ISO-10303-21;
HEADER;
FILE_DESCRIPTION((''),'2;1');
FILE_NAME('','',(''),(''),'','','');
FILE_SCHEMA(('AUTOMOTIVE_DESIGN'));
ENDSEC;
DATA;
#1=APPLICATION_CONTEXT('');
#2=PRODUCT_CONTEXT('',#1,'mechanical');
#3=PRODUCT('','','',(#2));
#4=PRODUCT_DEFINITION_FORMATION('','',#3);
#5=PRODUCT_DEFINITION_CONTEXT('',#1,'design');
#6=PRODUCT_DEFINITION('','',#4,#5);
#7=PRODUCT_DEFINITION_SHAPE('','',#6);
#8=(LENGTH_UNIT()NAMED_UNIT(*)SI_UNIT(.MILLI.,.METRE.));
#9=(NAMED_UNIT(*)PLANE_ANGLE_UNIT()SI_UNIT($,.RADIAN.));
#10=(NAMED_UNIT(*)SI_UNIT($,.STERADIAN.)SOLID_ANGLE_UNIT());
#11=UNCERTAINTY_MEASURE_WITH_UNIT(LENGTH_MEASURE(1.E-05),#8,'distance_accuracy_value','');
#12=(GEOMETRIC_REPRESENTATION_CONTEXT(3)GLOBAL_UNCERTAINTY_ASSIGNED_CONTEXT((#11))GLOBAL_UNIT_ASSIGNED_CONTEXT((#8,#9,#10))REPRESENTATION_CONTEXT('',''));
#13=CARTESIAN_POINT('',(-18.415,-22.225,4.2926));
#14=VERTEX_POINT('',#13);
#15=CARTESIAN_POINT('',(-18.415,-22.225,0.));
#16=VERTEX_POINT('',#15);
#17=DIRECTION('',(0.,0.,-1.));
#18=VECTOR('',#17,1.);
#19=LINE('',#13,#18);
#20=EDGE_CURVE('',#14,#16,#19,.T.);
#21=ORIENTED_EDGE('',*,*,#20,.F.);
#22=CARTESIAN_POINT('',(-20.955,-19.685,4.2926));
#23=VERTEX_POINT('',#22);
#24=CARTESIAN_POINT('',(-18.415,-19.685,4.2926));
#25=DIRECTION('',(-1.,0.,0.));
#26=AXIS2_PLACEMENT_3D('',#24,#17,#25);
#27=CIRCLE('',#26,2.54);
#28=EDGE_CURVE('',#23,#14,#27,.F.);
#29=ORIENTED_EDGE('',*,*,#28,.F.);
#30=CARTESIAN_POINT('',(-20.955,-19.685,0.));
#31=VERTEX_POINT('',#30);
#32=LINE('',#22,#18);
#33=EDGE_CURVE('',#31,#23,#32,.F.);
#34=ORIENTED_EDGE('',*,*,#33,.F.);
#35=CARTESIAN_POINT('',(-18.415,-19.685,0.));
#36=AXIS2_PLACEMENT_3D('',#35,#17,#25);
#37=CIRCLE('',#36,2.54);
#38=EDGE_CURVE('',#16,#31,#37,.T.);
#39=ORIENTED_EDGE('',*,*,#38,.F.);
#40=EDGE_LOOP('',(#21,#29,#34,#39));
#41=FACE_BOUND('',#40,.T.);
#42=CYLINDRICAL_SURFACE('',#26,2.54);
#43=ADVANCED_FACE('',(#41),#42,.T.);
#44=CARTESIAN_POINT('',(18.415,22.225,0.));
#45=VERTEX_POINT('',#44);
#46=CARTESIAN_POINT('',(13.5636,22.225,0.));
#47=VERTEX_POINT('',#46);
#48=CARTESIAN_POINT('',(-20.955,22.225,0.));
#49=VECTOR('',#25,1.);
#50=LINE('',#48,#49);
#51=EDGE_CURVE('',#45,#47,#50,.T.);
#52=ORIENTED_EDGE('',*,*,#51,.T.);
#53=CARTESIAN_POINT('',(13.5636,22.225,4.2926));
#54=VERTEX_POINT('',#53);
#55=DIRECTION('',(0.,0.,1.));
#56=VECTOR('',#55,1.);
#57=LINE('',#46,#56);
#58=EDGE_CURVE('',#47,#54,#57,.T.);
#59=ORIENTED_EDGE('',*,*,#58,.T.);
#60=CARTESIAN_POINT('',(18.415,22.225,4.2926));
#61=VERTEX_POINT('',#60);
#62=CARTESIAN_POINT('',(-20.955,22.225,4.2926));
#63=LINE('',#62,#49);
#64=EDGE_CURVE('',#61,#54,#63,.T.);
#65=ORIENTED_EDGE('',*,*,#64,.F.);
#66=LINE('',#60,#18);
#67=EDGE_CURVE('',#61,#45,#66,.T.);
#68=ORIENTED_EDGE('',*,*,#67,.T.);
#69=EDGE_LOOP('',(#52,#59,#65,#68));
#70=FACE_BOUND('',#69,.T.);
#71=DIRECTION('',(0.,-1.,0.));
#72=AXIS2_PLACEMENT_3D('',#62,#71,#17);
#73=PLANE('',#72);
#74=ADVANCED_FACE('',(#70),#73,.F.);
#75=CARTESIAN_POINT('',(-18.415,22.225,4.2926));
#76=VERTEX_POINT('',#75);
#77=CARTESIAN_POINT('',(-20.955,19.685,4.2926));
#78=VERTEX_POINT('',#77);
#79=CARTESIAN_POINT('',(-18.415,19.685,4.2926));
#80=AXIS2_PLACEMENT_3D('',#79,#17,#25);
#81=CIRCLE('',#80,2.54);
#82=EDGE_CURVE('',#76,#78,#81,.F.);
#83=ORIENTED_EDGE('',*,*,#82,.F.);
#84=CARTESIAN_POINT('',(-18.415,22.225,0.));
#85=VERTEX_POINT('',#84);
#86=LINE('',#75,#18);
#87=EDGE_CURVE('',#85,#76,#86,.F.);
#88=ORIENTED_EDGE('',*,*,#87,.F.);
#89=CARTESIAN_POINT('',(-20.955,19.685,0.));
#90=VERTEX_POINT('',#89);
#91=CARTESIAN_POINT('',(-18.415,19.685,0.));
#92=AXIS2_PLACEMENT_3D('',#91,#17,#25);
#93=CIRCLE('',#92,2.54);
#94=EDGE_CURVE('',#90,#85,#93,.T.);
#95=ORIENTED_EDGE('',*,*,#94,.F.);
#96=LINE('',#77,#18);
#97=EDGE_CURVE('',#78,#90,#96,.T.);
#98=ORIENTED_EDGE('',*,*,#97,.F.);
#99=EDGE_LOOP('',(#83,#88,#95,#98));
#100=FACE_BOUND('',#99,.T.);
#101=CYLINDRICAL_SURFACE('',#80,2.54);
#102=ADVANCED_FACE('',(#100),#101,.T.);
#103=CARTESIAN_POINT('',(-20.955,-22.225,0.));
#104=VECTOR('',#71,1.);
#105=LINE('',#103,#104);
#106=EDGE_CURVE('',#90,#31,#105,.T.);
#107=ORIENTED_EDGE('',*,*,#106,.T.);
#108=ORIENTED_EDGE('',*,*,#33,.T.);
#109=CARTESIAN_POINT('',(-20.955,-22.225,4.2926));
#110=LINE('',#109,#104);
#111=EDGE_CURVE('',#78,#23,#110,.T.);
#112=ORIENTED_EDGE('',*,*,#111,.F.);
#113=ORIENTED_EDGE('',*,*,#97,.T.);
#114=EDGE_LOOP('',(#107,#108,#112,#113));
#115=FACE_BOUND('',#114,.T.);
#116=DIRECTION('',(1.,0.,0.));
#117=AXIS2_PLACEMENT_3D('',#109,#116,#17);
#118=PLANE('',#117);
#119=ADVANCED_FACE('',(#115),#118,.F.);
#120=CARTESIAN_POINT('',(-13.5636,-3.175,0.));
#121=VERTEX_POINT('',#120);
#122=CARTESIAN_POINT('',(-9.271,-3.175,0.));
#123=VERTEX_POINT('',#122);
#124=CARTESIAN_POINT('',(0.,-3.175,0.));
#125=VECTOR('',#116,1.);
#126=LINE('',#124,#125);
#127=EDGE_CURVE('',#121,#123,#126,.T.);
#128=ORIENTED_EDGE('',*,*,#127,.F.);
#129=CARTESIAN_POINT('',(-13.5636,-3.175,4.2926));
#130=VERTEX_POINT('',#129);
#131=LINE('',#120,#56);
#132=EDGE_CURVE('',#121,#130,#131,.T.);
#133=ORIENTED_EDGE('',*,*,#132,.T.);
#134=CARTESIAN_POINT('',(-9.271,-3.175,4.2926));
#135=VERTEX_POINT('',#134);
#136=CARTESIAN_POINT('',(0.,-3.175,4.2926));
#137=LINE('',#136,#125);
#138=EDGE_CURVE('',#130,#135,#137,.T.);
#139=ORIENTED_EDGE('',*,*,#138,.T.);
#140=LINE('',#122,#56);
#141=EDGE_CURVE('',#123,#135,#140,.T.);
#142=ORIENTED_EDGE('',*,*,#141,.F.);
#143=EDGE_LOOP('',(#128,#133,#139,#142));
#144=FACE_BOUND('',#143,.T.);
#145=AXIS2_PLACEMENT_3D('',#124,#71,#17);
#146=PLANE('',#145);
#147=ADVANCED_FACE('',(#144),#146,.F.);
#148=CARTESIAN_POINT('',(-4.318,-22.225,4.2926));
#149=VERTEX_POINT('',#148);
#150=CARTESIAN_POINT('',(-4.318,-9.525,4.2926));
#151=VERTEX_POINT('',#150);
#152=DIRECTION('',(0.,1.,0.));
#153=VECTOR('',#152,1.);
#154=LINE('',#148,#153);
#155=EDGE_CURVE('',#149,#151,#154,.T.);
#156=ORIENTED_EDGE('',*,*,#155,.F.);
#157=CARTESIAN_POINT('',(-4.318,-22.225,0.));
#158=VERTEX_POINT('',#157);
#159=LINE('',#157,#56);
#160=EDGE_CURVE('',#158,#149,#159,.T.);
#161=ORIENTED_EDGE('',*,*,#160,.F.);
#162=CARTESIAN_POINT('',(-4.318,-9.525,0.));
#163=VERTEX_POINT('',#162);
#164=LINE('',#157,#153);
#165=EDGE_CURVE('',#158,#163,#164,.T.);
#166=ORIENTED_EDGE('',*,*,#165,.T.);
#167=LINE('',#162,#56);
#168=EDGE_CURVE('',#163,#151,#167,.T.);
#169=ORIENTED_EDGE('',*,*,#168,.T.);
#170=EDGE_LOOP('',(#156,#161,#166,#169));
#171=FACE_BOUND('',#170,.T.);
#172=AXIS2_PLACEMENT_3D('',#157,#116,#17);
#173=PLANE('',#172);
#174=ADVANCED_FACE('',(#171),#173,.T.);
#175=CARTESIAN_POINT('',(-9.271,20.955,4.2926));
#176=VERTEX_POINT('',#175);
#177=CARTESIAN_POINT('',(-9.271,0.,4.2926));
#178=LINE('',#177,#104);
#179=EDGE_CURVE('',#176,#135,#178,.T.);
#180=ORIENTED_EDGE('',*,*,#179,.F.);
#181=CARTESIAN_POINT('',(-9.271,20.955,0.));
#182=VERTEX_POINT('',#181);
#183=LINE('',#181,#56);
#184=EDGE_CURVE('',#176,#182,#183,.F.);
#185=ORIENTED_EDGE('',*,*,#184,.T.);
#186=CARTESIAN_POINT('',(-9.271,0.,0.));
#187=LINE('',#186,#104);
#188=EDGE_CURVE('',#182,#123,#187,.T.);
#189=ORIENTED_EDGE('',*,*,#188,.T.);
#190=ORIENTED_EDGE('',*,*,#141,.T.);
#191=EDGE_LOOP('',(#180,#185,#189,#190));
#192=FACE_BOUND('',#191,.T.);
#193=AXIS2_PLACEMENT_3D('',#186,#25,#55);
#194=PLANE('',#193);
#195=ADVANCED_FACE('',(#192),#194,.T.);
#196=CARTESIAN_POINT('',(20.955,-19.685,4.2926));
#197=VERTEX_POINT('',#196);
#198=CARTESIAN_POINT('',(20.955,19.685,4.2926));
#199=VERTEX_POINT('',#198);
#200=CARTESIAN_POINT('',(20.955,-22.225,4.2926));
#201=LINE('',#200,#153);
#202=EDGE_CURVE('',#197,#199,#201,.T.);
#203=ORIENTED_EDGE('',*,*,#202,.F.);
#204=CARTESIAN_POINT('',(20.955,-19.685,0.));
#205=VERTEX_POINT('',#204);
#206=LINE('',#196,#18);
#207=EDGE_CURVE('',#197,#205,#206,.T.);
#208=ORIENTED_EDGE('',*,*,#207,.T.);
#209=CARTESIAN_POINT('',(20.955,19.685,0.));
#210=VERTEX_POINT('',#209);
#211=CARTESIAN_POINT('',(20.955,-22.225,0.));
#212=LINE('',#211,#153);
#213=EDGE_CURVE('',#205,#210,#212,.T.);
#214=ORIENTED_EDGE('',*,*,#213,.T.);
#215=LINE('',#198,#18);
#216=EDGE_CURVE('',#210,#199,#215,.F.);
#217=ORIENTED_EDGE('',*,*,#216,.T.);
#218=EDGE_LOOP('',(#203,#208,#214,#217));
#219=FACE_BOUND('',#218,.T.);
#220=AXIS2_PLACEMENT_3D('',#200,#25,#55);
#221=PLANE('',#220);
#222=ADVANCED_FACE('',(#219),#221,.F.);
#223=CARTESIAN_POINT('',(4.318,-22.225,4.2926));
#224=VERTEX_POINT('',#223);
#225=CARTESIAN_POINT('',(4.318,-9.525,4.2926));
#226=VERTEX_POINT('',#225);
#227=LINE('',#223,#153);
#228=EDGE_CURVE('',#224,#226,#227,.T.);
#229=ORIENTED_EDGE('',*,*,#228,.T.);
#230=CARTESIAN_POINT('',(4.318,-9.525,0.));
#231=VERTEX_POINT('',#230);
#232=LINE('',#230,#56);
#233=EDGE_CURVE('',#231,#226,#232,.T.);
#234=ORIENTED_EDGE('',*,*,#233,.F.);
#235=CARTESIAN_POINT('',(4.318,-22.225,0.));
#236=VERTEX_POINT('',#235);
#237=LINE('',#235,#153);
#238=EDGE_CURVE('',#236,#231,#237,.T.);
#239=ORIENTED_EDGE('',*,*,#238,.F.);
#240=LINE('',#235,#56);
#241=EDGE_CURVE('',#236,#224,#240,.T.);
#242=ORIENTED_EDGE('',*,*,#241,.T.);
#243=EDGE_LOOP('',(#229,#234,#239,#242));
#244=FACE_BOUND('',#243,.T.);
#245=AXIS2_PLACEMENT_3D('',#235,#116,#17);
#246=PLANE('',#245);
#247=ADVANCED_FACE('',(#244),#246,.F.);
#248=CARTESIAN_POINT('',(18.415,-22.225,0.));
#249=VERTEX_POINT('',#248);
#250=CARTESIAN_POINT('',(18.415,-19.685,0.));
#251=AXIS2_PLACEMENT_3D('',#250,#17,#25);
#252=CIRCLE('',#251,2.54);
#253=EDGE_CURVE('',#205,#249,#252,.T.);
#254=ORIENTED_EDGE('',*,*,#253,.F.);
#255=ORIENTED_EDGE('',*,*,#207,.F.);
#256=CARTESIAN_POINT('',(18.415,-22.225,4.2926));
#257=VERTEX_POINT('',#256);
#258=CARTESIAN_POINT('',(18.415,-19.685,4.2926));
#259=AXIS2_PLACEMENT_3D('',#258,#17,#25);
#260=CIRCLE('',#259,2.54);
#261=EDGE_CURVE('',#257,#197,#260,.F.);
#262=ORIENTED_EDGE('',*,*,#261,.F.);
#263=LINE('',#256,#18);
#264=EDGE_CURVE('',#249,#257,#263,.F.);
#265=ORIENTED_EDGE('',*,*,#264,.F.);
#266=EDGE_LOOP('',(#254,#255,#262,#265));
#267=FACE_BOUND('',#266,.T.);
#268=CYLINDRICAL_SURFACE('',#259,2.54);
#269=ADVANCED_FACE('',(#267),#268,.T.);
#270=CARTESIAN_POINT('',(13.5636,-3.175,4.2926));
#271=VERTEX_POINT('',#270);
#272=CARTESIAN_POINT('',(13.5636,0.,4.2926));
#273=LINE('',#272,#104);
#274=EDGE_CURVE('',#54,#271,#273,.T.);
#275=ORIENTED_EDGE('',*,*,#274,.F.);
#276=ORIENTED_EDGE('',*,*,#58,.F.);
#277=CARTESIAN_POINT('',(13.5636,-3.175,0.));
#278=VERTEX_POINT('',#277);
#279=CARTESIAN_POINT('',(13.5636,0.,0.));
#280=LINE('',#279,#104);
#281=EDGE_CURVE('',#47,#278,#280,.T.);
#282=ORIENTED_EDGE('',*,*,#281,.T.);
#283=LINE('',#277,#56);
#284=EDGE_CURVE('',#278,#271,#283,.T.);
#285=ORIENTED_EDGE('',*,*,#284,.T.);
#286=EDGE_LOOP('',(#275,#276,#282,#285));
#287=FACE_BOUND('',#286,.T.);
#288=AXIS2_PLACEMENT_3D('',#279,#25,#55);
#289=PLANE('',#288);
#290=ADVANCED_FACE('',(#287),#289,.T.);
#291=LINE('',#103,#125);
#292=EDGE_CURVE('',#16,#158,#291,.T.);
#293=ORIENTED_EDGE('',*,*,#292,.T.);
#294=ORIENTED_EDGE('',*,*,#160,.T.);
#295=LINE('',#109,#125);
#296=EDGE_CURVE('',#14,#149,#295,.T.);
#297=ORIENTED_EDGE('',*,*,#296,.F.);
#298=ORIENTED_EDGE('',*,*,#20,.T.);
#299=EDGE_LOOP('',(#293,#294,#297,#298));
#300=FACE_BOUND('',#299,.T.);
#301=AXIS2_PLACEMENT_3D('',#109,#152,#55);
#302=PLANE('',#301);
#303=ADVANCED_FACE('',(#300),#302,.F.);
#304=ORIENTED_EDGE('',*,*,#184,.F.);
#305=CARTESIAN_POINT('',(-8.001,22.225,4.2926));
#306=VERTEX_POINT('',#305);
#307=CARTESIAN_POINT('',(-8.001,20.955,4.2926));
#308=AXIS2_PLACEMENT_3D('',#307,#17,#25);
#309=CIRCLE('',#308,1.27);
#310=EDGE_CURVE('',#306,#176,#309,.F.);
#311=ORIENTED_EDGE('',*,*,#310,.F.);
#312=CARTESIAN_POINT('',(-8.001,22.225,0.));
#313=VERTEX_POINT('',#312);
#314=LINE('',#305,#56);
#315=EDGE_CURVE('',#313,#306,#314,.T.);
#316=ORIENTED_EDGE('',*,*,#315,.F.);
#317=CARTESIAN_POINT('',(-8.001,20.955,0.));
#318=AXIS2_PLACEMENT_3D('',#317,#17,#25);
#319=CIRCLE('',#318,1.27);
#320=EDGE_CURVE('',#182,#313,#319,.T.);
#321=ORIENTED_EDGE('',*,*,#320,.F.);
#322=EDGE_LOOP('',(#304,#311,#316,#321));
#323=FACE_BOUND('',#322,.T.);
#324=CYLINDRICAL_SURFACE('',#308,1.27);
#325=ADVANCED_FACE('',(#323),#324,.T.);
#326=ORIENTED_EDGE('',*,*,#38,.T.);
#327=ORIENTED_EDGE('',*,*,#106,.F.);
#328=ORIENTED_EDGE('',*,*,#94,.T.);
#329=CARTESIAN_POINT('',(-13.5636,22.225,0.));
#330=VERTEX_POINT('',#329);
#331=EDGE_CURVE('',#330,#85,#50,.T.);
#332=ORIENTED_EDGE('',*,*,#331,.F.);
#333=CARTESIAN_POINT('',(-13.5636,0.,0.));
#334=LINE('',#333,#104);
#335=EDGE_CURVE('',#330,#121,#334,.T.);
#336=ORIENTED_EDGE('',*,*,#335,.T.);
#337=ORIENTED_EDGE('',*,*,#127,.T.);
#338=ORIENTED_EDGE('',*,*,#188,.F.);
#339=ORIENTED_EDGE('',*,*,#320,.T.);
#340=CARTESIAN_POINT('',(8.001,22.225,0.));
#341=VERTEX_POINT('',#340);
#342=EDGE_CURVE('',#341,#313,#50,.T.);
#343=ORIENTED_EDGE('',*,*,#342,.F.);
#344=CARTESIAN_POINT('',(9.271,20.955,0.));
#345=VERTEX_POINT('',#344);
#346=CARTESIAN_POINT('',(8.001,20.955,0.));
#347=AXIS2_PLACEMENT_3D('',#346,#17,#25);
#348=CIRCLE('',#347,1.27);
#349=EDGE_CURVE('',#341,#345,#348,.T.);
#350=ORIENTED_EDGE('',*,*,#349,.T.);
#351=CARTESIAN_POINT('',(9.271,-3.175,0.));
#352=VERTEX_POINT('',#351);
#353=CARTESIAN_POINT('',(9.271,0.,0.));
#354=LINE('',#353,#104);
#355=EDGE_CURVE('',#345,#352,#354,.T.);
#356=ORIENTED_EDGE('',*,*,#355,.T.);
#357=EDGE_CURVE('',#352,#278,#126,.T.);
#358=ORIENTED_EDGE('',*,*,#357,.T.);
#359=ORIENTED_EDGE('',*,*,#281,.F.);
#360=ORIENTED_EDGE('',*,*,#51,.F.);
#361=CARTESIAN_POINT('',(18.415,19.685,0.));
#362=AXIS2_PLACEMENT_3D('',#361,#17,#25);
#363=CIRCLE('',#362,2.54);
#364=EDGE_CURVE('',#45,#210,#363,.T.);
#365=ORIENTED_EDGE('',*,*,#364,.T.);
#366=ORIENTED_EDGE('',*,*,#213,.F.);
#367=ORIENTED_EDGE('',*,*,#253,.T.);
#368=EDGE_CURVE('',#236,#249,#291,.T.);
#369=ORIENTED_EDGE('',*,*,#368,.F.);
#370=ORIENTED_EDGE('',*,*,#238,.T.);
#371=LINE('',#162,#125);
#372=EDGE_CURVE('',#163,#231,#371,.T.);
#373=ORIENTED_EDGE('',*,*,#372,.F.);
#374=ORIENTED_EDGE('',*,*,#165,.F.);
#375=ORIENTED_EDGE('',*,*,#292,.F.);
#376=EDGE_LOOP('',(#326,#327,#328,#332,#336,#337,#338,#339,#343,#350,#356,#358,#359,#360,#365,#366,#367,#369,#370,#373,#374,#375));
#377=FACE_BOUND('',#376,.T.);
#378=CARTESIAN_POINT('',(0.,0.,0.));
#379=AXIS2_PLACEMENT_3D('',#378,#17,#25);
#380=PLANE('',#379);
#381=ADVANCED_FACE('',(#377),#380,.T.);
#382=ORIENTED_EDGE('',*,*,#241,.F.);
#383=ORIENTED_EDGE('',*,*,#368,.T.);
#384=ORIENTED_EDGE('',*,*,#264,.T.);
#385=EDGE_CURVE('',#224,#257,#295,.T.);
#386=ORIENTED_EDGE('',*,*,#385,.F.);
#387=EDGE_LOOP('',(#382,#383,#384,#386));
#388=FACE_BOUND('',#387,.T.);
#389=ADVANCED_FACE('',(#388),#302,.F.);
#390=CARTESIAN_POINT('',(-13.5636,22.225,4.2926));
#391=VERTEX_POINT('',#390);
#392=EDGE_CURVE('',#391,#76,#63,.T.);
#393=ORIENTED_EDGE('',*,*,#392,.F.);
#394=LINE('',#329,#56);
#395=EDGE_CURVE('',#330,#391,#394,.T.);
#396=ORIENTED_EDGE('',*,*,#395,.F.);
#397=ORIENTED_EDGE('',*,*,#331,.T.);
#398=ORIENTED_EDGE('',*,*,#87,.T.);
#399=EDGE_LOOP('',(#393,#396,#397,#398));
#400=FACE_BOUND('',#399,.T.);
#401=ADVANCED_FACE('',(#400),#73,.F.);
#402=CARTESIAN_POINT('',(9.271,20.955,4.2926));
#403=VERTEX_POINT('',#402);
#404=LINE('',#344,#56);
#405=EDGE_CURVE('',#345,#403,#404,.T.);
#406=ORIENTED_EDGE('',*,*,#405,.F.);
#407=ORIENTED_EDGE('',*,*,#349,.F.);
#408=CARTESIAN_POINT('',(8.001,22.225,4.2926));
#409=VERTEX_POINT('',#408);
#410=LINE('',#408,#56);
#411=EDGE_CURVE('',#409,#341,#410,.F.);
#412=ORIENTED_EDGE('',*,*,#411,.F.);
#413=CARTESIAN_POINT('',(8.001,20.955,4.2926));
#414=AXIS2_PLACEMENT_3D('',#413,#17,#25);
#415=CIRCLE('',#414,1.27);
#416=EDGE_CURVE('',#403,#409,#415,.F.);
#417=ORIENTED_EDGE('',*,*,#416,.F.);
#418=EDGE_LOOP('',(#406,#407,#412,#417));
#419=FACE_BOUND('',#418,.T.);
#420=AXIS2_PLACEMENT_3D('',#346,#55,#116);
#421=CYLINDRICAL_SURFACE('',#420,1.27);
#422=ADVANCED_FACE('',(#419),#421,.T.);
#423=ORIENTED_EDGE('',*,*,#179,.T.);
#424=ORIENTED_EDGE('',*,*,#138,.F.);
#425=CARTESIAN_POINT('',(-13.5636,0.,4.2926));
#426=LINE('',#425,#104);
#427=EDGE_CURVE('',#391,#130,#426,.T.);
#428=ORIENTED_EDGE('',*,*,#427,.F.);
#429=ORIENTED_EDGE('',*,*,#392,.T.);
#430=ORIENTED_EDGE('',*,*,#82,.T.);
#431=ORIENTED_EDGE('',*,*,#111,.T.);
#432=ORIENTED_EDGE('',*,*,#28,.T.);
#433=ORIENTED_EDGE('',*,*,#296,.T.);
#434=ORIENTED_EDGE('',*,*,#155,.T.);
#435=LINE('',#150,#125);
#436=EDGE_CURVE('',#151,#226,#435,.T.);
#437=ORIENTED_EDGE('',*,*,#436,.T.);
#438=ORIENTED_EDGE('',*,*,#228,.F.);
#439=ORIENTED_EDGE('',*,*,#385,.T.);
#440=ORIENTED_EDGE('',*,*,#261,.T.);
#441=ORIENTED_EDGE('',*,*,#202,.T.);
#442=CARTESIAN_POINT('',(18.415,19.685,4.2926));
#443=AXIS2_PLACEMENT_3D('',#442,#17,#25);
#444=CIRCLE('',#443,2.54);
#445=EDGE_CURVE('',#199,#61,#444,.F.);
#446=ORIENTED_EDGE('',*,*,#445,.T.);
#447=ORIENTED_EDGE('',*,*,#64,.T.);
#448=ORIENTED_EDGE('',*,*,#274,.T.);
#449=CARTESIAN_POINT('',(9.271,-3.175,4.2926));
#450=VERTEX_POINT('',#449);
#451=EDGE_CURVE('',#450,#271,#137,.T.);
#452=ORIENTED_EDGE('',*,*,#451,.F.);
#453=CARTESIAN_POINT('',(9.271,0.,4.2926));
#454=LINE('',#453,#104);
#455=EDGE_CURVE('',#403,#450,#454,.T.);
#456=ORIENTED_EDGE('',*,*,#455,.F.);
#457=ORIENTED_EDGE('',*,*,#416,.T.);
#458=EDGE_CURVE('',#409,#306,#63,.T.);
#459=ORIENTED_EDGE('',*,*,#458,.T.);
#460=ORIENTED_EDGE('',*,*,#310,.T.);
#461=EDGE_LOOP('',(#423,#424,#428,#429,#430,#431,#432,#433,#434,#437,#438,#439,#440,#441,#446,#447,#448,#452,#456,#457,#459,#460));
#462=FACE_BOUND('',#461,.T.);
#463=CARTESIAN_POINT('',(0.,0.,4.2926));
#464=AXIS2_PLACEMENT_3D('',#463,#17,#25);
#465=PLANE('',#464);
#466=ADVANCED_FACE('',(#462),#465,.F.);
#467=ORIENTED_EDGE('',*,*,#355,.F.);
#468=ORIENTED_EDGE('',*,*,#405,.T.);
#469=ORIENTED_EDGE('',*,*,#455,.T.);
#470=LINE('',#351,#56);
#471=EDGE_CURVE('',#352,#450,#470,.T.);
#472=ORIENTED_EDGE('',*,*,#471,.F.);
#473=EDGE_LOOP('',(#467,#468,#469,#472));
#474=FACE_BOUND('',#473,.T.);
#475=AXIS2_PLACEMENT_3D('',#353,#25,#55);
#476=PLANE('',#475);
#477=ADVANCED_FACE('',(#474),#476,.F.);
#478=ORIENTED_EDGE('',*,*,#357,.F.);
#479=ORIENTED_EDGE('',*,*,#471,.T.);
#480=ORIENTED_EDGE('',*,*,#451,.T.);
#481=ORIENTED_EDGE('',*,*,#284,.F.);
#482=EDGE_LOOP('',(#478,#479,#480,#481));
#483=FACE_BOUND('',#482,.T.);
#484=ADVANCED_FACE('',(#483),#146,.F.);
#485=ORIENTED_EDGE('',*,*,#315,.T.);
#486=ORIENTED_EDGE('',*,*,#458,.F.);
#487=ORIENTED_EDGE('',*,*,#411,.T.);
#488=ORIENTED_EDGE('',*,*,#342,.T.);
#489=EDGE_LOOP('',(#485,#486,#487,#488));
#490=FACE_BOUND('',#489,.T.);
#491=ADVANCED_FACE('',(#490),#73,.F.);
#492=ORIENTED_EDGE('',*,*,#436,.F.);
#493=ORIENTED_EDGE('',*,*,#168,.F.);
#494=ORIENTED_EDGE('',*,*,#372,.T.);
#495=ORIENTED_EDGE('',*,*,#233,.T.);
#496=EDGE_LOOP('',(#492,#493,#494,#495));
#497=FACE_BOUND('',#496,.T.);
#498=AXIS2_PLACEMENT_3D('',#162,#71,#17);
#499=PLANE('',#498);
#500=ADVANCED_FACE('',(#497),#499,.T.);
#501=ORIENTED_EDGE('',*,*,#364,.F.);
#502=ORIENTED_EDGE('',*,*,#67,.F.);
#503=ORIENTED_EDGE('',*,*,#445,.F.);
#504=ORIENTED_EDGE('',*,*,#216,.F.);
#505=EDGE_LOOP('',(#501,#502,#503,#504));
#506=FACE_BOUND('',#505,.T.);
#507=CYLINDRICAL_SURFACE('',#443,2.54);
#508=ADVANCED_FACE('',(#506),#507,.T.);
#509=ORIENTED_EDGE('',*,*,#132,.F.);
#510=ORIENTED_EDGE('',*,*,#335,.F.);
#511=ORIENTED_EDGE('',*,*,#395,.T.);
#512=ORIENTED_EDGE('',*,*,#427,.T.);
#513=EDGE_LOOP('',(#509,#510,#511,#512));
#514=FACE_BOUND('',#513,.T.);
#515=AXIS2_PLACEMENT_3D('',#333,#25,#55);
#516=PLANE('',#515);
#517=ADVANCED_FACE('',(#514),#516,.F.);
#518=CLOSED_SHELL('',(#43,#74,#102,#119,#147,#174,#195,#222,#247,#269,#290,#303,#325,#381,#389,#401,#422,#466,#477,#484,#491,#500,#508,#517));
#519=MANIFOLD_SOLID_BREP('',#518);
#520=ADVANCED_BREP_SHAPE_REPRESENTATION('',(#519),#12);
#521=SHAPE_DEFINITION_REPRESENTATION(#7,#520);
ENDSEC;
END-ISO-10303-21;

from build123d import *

# Parameters (mm, degrees)
SKETCH1_W           = 41.91
SKETCH1_H           = 44.45
BOSS_EXTRUDE1_DEPTH = 4.2926
FILLET1_R           = 2.54
SKETCH2_W           = 4.2926
SKETCH2_H           = 25.4
SKETCH2_W_2         = 8.636
SKETCH2_H_2         = 12.7
CUT_EXTRUDE2_DEPTH  = 4.2926
FILLET3_R           = 1.27


with BuildPart() as part:
    # Sketch1 → Boss-Extrude1 (new body)
    with BuildSketch(Plane.XY):
        Rectangle(SKETCH1_W, SKETCH1_H)
    extrude(amount=BOSS_EXTRUDE1_DEPTH)

    # Fillet1
    fillet1_edges = [part.edges().sort_by_distance(p)[0] for p in [
        (20.955, -22.225, 2.1463),
        (-20.955, -22.225, 2.1463),
        (-20.955, 22.225, 2.1463),
        (20.955, 22.225, 2.1463),
    ]]
    fillet(fillet1_edges, radius=FILLET1_R)

    # Sketch2 → Cut-Extrude2 (cut)
    with BuildSketch(Plane.XY.offset(4.2926)):
        with Locations((-11.4173, 9.525)):
            Rectangle(SKETCH2_W, SKETCH2_H)
        with Locations((11.4173, 9.525)):
            Rectangle(SKETCH2_W, SKETCH2_H)
        with Locations((0, -15.875)):
            Rectangle(SKETCH2_W_2, SKETCH2_H_2)
    extrude(amount=-CUT_EXTRUDE2_DEPTH, mode=Mode.SUBTRACT)

    # Fillet3
    fillet3_edges = [part.edges().sort_by_distance(p)[0] for p in [
        (-9.271, 22.225, 2.1463),
        (9.271, 22.225, 2.1463),
    ]]
    fillet(fillet3_edges, radius=FILLET3_R)


solid = part.part
